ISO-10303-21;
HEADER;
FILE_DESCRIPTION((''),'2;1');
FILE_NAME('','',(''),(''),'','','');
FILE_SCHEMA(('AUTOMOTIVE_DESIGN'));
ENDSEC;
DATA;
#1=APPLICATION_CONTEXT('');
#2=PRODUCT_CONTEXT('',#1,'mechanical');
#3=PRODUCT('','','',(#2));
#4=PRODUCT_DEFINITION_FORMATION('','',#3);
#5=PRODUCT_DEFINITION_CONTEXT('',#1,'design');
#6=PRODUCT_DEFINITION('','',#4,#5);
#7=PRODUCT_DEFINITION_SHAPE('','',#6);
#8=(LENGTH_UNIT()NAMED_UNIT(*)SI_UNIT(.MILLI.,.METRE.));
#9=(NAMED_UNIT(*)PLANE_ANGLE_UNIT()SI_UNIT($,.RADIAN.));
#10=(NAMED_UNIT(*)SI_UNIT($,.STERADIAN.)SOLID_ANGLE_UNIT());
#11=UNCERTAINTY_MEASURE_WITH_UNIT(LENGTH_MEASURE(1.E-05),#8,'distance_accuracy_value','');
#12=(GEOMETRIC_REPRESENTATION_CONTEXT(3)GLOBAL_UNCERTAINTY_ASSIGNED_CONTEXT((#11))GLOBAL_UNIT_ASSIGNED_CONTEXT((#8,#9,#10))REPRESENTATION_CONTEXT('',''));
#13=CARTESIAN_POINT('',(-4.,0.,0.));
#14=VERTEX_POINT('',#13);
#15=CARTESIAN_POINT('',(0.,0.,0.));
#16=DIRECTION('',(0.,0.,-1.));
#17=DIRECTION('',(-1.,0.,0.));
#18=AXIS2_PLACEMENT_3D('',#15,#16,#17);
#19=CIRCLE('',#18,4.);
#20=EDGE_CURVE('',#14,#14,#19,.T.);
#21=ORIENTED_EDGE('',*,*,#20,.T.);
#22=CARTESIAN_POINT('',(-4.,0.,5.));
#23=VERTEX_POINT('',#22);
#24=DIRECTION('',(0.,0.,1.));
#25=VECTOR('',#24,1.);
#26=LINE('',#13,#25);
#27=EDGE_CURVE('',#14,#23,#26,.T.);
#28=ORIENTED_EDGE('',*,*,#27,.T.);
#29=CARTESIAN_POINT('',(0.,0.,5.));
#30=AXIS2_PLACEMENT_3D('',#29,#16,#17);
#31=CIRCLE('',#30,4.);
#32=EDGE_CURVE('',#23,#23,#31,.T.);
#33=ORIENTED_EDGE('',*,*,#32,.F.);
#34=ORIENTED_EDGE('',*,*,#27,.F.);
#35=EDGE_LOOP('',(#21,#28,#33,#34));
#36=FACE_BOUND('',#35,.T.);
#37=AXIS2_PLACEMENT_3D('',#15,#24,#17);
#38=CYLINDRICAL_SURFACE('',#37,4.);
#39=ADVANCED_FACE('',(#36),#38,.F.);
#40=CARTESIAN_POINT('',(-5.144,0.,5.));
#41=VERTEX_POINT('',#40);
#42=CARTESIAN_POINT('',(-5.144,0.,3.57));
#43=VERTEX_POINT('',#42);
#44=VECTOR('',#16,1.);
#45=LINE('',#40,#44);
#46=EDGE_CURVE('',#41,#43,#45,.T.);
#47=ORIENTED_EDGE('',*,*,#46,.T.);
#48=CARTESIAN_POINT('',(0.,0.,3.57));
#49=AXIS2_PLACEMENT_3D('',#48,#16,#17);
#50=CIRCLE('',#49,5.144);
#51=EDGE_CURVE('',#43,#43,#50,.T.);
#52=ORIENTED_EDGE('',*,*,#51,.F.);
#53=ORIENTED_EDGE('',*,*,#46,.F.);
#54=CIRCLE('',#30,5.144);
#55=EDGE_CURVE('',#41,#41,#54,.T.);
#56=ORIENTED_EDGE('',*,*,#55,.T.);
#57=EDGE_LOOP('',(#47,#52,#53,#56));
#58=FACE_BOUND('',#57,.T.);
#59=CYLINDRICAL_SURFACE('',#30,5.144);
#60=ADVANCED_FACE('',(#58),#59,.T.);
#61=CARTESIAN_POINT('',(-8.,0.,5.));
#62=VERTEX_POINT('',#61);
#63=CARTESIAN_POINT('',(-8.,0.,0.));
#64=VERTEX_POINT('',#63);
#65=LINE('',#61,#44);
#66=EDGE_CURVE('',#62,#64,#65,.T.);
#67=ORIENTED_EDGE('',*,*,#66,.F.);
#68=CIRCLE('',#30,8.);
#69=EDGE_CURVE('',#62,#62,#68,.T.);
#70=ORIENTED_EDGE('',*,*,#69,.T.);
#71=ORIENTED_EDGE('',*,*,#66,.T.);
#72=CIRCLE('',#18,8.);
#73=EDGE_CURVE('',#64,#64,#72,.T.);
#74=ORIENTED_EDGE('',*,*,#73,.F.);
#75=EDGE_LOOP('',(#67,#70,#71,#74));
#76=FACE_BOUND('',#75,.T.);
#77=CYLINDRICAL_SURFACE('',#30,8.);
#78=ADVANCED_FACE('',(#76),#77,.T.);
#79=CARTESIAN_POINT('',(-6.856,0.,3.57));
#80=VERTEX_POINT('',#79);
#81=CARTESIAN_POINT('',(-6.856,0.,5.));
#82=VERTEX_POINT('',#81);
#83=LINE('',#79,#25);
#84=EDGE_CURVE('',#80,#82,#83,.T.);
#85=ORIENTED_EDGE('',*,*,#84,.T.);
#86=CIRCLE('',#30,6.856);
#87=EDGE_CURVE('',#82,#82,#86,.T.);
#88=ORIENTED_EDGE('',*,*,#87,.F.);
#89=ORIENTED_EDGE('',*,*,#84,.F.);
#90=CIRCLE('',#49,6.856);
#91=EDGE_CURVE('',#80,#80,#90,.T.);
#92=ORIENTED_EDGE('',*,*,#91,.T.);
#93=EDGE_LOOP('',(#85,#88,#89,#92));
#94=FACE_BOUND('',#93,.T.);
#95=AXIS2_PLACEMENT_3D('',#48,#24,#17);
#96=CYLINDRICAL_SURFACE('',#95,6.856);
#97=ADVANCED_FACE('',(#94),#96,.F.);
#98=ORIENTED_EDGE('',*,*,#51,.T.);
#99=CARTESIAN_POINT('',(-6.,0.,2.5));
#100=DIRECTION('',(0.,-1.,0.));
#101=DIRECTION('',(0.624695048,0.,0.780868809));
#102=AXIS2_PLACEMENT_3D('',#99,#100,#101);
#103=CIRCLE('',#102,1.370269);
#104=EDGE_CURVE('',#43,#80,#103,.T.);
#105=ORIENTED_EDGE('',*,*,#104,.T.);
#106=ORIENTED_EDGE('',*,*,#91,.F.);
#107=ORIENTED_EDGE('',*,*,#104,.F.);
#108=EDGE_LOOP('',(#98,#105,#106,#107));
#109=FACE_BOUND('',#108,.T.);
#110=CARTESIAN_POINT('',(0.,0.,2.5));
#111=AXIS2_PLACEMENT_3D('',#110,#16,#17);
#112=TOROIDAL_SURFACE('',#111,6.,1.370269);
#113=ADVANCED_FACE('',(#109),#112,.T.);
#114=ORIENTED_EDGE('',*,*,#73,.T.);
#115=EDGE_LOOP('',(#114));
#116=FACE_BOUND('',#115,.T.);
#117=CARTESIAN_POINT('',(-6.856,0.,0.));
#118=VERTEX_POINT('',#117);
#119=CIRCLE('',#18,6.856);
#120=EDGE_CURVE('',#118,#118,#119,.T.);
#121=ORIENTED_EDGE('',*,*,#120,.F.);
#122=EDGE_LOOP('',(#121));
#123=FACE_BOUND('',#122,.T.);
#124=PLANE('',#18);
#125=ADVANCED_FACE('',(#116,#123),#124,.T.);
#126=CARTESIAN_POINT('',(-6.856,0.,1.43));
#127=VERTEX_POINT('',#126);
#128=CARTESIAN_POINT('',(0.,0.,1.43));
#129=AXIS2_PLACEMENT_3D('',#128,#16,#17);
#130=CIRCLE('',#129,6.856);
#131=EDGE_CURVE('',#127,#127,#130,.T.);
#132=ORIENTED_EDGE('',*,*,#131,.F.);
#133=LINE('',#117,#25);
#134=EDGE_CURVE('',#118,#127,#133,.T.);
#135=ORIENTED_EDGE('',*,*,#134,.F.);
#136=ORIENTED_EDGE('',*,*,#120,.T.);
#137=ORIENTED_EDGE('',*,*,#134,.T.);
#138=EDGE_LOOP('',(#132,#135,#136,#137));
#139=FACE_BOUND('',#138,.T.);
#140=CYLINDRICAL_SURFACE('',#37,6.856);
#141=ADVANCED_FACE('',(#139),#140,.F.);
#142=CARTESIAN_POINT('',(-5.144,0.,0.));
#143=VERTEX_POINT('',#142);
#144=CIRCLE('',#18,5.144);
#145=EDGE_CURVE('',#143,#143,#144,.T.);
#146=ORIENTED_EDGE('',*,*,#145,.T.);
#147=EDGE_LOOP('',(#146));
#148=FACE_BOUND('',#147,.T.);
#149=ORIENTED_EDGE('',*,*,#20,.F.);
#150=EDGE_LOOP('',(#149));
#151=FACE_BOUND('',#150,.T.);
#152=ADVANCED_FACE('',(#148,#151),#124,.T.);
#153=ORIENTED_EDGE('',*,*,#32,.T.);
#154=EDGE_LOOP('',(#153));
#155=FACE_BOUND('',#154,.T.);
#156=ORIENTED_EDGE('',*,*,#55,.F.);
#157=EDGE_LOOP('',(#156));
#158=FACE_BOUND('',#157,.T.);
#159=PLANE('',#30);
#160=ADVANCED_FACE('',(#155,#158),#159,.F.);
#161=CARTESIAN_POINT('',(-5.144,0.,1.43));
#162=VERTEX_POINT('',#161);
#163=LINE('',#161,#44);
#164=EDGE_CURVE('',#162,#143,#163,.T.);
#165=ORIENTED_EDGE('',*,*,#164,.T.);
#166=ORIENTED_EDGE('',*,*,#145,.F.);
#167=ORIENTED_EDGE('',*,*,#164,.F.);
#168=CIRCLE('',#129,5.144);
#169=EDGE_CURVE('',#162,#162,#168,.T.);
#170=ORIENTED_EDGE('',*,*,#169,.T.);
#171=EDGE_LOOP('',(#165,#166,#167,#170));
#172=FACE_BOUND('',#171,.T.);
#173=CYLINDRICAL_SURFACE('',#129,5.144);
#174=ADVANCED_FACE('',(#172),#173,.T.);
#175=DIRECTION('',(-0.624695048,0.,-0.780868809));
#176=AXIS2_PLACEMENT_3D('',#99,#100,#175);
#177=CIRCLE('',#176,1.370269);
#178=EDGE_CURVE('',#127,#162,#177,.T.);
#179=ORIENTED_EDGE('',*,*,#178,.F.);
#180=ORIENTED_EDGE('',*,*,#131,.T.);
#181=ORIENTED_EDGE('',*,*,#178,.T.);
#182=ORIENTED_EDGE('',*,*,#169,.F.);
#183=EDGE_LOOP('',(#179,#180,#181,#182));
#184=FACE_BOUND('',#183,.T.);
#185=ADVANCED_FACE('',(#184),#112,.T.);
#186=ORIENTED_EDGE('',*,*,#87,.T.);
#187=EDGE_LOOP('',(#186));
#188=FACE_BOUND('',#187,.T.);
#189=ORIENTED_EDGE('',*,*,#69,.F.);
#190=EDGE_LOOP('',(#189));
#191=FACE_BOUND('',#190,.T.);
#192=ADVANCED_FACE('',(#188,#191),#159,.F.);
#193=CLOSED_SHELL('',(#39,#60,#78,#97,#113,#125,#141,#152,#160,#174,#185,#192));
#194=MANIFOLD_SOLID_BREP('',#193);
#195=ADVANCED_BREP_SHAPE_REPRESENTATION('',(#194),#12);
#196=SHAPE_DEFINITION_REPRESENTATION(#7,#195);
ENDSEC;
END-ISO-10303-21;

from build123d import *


with BuildPart() as f1:
    # F0 (on Front) → F1 (revolve)
    with BuildSketch(Plane.XZ):
        with BuildLine():
            Line((-6.856, 5), (-8, 5))
            Line((-8, 5), (-8, 0))
            Line((-8, 0), (-6.856, 0))
            Line((-6.856, 0), (-6.856, 1.43))
            ThreePointArc((-6.856, 1.43), (-6, 1.1297314132), (-5.144, 1.43))
            Line((-5.144, 1.43), (-5.144, 0))
            Line((-5.144, 0), (-4, 0))
            Line((-4, 0), (-4, 5))
            Line((-4, 5), (-5.144, 5))
            Line((-5.144, 5), (-5.144, 3.57))
            ThreePointArc((-5.144, 3.57), (-6, 3.8702685868), (-6.856, 3.57))
            Line((-6.856, 3.57), (-6.856, 5))
        make_face()
    revolve(axis=Axis((0, 0, 1.894922927), (0, 0, -1)))


solid = f1.part
